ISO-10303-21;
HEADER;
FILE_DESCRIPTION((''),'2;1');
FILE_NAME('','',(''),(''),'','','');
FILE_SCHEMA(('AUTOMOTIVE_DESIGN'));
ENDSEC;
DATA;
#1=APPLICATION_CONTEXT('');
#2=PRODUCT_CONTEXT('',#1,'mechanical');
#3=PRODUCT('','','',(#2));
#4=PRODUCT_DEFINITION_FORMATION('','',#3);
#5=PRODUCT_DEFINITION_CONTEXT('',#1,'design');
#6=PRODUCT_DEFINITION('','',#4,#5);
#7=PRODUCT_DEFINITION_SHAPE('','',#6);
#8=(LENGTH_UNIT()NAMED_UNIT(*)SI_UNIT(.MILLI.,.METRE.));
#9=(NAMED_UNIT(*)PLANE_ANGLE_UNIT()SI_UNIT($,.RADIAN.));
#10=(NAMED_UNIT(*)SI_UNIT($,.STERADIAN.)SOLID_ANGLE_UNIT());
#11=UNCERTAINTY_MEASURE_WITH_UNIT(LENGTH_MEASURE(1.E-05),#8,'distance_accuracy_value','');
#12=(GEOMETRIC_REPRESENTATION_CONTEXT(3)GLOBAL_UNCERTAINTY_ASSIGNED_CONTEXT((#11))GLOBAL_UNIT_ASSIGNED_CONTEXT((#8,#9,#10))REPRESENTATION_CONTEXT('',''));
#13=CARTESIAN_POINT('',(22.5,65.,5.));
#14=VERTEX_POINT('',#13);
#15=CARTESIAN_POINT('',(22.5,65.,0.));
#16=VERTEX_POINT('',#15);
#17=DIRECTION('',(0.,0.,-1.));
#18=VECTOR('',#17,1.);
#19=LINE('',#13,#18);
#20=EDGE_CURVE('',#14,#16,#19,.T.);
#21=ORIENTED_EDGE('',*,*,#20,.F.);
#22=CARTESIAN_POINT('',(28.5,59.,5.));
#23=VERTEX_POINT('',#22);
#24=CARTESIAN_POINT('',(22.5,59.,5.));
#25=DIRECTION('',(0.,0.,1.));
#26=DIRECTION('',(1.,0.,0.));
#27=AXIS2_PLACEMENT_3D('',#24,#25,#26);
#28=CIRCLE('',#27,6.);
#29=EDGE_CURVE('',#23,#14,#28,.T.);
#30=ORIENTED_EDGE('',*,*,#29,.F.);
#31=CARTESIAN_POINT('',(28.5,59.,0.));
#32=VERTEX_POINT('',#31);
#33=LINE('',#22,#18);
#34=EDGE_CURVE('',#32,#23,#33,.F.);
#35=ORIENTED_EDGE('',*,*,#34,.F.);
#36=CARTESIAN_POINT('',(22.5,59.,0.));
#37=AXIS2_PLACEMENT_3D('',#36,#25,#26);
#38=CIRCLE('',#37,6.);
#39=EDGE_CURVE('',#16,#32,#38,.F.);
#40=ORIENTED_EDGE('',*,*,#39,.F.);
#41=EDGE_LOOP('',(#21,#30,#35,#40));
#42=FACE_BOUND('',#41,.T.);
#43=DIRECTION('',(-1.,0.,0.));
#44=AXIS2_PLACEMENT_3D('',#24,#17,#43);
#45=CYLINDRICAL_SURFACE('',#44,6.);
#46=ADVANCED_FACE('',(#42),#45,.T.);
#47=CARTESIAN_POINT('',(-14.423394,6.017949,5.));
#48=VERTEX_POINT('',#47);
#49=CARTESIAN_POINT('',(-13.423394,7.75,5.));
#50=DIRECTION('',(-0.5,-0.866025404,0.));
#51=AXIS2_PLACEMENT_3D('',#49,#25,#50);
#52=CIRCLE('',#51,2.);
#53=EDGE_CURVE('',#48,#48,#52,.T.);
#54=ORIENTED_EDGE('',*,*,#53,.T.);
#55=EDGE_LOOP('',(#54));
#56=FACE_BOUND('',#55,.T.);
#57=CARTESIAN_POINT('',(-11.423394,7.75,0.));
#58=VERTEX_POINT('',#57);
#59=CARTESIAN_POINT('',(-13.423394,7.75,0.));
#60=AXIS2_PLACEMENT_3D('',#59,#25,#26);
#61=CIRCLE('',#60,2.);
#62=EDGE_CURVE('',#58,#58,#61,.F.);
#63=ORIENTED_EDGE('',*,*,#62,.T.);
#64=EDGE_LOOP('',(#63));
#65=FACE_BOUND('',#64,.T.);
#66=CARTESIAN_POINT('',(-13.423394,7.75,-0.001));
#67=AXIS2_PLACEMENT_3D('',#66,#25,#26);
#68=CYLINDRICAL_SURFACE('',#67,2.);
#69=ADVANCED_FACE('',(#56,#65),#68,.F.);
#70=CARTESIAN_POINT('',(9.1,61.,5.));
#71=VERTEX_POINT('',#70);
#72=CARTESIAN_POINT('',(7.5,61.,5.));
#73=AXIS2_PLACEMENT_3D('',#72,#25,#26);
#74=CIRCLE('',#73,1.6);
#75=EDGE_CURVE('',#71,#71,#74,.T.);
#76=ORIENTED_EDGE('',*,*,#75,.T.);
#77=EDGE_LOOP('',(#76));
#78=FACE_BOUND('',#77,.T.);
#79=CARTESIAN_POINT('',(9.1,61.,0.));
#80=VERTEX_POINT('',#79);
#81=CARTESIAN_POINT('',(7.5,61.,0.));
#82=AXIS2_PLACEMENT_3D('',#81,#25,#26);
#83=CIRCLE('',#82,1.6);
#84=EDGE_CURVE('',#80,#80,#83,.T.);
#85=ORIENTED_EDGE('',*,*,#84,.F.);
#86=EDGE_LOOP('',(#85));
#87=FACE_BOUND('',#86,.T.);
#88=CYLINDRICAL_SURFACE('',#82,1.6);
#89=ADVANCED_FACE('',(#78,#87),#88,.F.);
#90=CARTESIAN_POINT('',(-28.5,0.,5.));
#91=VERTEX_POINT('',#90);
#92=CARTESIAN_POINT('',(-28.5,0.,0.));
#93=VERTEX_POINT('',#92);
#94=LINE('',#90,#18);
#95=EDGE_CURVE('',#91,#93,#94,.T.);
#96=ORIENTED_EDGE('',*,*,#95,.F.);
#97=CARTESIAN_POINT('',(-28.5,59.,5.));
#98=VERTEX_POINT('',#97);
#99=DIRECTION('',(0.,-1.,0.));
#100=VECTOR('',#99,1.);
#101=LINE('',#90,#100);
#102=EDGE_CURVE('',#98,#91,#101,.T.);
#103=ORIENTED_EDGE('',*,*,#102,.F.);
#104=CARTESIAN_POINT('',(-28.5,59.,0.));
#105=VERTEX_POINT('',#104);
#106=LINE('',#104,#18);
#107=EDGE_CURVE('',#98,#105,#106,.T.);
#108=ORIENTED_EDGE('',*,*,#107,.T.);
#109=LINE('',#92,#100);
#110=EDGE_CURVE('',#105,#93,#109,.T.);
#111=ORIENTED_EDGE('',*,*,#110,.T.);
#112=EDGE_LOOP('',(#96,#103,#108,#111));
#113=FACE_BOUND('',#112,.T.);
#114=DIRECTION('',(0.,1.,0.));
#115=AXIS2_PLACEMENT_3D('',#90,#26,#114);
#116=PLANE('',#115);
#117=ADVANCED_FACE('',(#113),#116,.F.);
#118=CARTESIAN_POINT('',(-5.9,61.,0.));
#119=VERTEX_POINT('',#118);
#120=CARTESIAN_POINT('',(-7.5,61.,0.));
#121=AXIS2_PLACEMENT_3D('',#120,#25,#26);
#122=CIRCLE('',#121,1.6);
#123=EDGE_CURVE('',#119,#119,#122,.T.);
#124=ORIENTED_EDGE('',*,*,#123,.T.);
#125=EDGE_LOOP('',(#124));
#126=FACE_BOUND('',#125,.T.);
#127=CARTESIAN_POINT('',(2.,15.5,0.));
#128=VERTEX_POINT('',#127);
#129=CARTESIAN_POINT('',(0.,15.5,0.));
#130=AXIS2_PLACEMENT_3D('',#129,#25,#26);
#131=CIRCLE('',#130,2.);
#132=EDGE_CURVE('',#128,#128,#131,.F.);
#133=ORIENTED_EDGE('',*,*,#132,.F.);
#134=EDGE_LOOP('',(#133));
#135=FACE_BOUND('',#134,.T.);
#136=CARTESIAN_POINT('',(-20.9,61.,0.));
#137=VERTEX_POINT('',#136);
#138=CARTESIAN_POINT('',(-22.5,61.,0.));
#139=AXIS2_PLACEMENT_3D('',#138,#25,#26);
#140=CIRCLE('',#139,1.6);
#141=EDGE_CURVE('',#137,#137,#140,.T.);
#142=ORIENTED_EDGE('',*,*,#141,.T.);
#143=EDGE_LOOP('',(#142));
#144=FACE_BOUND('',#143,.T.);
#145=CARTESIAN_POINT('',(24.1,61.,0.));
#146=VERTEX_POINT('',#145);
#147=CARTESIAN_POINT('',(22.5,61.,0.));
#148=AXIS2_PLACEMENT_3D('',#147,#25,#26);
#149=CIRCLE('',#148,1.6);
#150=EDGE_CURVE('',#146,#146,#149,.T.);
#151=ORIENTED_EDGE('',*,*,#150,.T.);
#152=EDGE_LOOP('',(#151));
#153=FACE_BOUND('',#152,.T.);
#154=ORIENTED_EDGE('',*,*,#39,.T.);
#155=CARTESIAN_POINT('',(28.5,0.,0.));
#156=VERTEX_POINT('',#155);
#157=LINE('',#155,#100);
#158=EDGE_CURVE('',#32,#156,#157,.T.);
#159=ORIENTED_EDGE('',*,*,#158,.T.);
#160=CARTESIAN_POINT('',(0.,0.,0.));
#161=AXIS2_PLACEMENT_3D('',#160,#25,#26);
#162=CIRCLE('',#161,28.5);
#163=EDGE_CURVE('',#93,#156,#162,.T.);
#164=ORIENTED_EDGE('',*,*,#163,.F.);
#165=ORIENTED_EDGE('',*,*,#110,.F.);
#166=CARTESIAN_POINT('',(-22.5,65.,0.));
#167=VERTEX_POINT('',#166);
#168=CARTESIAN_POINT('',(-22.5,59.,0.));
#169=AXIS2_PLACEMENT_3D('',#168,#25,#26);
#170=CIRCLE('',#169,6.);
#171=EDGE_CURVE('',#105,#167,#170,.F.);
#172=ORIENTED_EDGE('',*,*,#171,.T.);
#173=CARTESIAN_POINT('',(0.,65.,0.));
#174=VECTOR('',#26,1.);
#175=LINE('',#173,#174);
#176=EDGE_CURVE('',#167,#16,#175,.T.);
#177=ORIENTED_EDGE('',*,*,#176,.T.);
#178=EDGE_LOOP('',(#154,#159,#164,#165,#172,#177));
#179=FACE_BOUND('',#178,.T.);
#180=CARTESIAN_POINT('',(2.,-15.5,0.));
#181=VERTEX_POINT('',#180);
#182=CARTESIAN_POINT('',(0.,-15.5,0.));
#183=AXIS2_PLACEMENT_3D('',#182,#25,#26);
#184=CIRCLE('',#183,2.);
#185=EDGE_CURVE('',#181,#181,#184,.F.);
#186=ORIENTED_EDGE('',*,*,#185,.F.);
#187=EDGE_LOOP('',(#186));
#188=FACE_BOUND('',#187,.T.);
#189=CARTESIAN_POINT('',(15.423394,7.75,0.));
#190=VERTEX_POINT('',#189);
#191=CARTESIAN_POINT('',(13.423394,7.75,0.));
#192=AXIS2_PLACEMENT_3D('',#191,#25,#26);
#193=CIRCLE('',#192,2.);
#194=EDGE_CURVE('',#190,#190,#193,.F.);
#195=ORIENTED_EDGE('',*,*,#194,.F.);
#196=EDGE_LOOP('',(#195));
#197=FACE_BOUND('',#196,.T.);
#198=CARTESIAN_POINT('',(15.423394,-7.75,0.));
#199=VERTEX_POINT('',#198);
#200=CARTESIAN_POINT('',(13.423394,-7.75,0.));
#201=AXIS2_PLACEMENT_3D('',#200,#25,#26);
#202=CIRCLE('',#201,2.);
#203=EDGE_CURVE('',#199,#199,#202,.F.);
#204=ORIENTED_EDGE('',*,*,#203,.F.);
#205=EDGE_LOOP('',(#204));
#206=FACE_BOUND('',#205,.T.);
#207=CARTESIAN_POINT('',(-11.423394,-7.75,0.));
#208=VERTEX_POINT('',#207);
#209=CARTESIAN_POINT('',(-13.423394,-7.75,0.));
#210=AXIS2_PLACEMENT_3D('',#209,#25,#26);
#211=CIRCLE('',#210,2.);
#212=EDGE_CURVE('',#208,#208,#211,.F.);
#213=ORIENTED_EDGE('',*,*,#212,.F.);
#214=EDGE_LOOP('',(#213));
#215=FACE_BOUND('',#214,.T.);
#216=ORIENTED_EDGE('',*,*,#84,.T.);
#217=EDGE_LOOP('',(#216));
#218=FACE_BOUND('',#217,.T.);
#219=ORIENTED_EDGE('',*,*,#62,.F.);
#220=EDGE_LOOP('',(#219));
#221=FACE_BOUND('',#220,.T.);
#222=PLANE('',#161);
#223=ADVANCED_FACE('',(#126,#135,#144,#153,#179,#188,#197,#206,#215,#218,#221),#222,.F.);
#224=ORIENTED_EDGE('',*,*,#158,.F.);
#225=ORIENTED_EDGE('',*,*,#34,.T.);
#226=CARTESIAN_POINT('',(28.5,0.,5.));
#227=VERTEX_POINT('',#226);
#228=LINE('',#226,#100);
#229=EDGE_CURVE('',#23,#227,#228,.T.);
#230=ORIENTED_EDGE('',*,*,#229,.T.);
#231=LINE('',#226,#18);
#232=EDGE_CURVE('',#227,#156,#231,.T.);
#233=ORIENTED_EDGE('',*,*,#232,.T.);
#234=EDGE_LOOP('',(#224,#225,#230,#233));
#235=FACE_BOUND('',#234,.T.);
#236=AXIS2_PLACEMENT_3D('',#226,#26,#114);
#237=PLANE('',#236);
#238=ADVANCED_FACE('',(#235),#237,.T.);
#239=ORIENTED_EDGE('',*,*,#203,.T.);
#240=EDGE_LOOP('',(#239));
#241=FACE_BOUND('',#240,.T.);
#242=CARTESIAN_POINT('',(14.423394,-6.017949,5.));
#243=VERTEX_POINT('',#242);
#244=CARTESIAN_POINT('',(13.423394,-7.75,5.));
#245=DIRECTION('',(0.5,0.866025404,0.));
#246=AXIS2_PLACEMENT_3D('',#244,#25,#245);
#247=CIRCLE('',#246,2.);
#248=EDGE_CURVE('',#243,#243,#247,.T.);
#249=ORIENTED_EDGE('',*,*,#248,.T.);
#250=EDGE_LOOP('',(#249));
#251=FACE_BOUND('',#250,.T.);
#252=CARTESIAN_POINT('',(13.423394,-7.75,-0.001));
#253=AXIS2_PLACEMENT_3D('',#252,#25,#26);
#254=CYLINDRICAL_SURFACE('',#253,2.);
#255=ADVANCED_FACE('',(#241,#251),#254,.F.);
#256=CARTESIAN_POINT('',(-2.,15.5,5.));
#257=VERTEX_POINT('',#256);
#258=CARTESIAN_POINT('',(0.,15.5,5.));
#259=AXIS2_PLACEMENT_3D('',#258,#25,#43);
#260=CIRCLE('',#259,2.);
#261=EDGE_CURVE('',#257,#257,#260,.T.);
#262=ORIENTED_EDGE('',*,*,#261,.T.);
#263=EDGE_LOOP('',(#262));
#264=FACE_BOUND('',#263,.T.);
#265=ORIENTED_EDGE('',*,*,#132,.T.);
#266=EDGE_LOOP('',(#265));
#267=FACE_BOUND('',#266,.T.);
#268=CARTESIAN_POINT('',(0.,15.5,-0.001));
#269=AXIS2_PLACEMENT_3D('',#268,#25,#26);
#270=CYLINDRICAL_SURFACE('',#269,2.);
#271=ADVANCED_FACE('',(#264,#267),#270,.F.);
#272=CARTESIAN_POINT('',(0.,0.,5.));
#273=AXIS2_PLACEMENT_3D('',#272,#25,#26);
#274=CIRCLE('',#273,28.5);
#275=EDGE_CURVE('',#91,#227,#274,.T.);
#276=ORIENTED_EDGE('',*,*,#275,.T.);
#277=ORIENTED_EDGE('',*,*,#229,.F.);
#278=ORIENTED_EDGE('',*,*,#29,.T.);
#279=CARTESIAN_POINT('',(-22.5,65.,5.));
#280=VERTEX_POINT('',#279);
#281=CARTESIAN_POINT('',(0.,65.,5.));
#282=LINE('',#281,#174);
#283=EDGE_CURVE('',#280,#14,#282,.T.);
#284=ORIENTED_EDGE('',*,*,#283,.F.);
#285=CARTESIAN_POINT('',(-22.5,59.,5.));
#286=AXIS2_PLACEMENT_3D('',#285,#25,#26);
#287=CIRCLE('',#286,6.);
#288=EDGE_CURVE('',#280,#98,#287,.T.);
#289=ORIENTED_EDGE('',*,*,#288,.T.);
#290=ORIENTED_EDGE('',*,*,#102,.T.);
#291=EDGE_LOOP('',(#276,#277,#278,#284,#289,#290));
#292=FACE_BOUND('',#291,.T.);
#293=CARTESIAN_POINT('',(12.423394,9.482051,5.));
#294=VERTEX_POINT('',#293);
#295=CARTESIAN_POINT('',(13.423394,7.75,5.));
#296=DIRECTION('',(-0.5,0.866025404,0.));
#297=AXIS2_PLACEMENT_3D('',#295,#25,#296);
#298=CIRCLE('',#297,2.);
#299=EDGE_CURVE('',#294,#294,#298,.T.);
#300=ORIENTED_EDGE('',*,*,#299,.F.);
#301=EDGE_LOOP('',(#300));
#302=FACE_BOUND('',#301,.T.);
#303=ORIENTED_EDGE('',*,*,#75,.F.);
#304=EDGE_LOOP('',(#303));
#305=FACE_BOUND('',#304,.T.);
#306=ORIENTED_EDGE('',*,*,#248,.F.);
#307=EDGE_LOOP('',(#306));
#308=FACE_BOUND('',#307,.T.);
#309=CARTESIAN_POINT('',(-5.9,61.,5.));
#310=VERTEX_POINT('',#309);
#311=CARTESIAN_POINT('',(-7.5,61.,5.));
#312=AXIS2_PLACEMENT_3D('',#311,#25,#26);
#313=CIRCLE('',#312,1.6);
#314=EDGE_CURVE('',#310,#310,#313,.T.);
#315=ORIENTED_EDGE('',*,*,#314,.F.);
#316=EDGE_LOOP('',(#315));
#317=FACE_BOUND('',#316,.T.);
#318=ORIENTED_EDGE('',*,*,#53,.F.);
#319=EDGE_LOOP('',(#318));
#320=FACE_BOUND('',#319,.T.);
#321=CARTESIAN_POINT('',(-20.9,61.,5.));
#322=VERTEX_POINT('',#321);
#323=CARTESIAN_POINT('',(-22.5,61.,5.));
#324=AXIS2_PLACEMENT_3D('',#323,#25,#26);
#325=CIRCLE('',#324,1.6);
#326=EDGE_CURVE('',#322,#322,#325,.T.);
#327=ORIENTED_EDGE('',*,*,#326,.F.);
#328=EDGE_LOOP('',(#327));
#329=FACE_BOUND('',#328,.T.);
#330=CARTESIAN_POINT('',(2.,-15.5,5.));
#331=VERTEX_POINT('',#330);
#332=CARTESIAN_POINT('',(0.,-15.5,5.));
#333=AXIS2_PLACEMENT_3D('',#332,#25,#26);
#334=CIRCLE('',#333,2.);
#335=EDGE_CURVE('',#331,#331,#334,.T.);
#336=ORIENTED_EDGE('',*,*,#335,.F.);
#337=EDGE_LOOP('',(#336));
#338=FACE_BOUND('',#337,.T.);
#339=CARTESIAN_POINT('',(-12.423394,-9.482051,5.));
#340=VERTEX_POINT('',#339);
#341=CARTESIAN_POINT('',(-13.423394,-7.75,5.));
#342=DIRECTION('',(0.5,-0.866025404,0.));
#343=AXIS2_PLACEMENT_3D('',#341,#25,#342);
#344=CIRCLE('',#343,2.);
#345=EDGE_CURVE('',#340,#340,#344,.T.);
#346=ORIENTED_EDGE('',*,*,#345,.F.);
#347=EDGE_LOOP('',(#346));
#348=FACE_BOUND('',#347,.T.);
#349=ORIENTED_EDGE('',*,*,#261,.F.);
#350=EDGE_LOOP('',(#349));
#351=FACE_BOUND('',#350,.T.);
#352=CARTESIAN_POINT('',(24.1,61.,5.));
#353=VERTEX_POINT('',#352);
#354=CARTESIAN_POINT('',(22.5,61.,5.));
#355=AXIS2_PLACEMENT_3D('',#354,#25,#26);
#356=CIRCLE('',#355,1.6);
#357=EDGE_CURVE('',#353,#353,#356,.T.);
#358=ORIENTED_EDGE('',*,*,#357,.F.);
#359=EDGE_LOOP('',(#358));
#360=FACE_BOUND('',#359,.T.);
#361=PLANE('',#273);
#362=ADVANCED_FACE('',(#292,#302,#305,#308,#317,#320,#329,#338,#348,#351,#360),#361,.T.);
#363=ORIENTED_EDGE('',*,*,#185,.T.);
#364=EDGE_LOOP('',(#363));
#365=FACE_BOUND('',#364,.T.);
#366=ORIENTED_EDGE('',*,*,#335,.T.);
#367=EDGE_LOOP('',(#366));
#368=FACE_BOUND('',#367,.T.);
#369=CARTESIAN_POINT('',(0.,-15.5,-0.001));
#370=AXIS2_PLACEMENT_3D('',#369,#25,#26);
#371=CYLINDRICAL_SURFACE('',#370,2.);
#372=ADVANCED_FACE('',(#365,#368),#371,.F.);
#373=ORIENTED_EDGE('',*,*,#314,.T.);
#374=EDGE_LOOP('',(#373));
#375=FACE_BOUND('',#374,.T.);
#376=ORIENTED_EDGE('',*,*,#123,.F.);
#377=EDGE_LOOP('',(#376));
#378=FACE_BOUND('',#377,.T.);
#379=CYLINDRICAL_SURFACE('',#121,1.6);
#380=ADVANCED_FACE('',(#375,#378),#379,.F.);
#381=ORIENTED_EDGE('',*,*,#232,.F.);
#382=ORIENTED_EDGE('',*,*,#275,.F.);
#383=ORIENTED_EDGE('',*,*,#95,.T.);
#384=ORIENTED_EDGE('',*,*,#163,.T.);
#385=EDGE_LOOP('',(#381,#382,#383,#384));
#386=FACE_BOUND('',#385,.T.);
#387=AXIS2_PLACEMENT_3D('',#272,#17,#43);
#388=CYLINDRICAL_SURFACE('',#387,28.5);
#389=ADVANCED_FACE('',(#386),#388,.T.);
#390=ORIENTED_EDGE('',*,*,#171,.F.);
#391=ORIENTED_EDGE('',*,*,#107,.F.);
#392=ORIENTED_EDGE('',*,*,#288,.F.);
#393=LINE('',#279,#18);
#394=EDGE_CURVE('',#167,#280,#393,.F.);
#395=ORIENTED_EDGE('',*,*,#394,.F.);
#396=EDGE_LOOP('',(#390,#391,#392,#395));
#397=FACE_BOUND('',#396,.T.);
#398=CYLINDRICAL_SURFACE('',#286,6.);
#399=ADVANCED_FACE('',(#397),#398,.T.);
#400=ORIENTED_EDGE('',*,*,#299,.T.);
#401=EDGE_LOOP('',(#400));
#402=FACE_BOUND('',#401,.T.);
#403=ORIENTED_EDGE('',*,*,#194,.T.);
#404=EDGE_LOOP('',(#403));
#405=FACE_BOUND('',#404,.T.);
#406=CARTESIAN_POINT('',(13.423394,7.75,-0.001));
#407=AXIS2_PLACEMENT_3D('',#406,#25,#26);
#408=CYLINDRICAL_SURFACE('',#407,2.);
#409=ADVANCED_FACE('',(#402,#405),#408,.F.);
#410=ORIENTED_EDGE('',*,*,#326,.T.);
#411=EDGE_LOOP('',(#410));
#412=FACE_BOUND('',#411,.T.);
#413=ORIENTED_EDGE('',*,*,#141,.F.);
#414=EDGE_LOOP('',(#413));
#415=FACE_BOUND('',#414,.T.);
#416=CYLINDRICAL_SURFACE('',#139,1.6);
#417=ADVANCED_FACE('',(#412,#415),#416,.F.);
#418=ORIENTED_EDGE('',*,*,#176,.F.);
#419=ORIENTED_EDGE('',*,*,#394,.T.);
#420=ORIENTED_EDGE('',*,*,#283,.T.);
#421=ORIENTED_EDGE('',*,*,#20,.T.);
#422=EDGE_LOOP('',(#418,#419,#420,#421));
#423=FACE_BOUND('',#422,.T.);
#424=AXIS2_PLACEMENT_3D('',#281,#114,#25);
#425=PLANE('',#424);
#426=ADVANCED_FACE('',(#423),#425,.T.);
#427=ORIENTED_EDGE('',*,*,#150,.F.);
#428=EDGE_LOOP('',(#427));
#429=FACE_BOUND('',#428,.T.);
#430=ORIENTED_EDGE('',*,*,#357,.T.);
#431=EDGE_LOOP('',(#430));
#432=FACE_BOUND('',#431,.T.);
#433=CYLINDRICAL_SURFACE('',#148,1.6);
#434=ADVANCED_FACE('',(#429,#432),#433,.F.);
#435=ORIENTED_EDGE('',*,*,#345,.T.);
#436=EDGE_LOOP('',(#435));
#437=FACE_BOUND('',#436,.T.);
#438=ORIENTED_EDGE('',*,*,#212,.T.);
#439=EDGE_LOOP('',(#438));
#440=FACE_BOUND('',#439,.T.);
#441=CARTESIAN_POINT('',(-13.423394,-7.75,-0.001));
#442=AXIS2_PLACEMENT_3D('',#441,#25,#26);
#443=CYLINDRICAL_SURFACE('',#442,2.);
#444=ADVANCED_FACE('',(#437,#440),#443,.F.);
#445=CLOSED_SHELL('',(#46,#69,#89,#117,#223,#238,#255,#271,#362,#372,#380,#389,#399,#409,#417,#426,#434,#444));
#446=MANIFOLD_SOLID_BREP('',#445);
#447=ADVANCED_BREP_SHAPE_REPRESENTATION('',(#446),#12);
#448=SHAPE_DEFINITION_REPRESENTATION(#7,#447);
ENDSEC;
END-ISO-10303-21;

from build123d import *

# Parameters (mm, degrees)
EXTRUDE_1_DEPTH          = 5
CUT_EXTRUDE_2_REACH      = 73.149
SKETCH_4_R               = 2
SKETCH_5_OUTSIDE_W       = 80.924
SKETCH_5_OUTSIDE_H       = 117.424
SKETCH_5_OUTSIDE_R       = 1.6
CUT_EXTRUDE_3_DEPTH      = 72.149490511
FILLET_1_R               = 6
FILLET_2_R               = 6
PATTERN_CIRCULAR_1_COUNT = 6


with BuildPart() as part:
    # 草圖1 → 填料-伸長1 (new body)
    with BuildSketch(Plane.XY):
        with BuildLine():
            Line((28.5, 65), (-28.5, 65))
            Line((-28.5, 65), (-28.5, 55))
            Line((-28.5, 55), (-28.5, 0))
            ThreePointArc((-28.5, 0), (-26.682182849, -10.015543839), (-21.46062327, -18.753443653))
            ThreePointArc((-21.46062327, -18.753443653), (0, -28.5), (21.46062327, -18.753443653))
            ThreePointArc((21.46062327, -18.753443653), (26.682182849, -10.015543839), (28.5, 0))
            Line((28.5, 0), (28.5, 55.020450743))
            Line((28.5, 55.020450743), (28.5, 65))
        make_face()
    extrude(amount=EXTRUDE_1_DEPTH)

    # 草圖4 → 除料-伸長2 (cut, up to next)
    with BuildSketch(Plane.XY.offset(5), mode=Mode.PRIVATE) as cut_extrude_2_sk1:
        with Locations((0, -15.5)):
            Circle(SKETCH_4_R)
    cut_extrude_2_tool1 = extrude(cut_extrude_2_sk1.sketch, amount=-CUT_EXTRUDE_2_REACH, mode=Mode.PRIVATE) & part.part
    cut_extrude_2 = cut_extrude_2_tool1.solids().sort_by_distance((0, -15.5, 5))[0]
    add(cut_extrude_2, mode=Mode.SUBTRACT)

    # 草圖5 outside → 除料-伸長3 (cut, through all)
    # profile 1 of 5: a face of its own
    with BuildSketch(Plane.XY.offset(5)):
        with Locations((0, 18.25)):
            Rectangle(SKETCH_5_OUTSIDE_W, SKETCH_5_OUTSIDE_H)
        with BuildLine():
            Line((28.5, 65), (-28.5, 65))
            Line((-28.5, 65), (-28.5, 0))
            ThreePointArc((-28.5, 0), (0, -28.5), (28.5, 0))
            Line((28.5, 0), (28.5, 65))
        make_face(mode=Mode.SUBTRACT)
    # profile 2 of 5: a face of its own
    with BuildSketch(Plane.XY.offset(5)):
        with Locations((22.5, 61)):
            Circle(SKETCH_5_OUTSIDE_R)
    # profile 3 of 5: a face of its own
    with BuildSketch(Plane.XY.offset(5)):
        with Locations((7.5, 61)):
            Circle(SKETCH_5_OUTSIDE_R)
    # profile 4 of 5: a face of its own
    with BuildSketch(Plane.XY.offset(5)):
        with Locations((-7.5, 61)):
            Circle(SKETCH_5_OUTSIDE_R)
    # profile 5 of 5: a face of its own
    with BuildSketch(Plane.XY.offset(5)):
        with Locations((-22.5, 61)):
            Circle(SKETCH_5_OUTSIDE_R)
    extrude(amount=-CUT_EXTRUDE_3_DEPTH, mode=Mode.SUBTRACT)

    # 圓角1
    fillet_1_edges = [part.edges().sort_by_distance(p)[0] for p in [
        (-28.5, 65, 2.5),
    ]]
    fillet(fillet_1_edges, radius=FILLET_1_R)

    # 圓角2
    fillet_2_edges = [part.edges().sort_by_distance(p)[0] for p in [
        (28.5, 65, 2.5),
    ]]
    fillet(fillet_2_edges, radius=FILLET_2_R)

    # 環狀複製排列1: 除料-伸長2 ×6 about axis
    pattern_circular_1_axis = Axis((0, 0, 0), (0, 0, 1))
    for i in range(1, PATTERN_CIRCULAR_1_COUNT):
        add(cut_extrude_2.rotate(pattern_circular_1_axis, i * 360 / PATTERN_CIRCULAR_1_COUNT), mode=Mode.SUBTRACT)


solid = part.part
